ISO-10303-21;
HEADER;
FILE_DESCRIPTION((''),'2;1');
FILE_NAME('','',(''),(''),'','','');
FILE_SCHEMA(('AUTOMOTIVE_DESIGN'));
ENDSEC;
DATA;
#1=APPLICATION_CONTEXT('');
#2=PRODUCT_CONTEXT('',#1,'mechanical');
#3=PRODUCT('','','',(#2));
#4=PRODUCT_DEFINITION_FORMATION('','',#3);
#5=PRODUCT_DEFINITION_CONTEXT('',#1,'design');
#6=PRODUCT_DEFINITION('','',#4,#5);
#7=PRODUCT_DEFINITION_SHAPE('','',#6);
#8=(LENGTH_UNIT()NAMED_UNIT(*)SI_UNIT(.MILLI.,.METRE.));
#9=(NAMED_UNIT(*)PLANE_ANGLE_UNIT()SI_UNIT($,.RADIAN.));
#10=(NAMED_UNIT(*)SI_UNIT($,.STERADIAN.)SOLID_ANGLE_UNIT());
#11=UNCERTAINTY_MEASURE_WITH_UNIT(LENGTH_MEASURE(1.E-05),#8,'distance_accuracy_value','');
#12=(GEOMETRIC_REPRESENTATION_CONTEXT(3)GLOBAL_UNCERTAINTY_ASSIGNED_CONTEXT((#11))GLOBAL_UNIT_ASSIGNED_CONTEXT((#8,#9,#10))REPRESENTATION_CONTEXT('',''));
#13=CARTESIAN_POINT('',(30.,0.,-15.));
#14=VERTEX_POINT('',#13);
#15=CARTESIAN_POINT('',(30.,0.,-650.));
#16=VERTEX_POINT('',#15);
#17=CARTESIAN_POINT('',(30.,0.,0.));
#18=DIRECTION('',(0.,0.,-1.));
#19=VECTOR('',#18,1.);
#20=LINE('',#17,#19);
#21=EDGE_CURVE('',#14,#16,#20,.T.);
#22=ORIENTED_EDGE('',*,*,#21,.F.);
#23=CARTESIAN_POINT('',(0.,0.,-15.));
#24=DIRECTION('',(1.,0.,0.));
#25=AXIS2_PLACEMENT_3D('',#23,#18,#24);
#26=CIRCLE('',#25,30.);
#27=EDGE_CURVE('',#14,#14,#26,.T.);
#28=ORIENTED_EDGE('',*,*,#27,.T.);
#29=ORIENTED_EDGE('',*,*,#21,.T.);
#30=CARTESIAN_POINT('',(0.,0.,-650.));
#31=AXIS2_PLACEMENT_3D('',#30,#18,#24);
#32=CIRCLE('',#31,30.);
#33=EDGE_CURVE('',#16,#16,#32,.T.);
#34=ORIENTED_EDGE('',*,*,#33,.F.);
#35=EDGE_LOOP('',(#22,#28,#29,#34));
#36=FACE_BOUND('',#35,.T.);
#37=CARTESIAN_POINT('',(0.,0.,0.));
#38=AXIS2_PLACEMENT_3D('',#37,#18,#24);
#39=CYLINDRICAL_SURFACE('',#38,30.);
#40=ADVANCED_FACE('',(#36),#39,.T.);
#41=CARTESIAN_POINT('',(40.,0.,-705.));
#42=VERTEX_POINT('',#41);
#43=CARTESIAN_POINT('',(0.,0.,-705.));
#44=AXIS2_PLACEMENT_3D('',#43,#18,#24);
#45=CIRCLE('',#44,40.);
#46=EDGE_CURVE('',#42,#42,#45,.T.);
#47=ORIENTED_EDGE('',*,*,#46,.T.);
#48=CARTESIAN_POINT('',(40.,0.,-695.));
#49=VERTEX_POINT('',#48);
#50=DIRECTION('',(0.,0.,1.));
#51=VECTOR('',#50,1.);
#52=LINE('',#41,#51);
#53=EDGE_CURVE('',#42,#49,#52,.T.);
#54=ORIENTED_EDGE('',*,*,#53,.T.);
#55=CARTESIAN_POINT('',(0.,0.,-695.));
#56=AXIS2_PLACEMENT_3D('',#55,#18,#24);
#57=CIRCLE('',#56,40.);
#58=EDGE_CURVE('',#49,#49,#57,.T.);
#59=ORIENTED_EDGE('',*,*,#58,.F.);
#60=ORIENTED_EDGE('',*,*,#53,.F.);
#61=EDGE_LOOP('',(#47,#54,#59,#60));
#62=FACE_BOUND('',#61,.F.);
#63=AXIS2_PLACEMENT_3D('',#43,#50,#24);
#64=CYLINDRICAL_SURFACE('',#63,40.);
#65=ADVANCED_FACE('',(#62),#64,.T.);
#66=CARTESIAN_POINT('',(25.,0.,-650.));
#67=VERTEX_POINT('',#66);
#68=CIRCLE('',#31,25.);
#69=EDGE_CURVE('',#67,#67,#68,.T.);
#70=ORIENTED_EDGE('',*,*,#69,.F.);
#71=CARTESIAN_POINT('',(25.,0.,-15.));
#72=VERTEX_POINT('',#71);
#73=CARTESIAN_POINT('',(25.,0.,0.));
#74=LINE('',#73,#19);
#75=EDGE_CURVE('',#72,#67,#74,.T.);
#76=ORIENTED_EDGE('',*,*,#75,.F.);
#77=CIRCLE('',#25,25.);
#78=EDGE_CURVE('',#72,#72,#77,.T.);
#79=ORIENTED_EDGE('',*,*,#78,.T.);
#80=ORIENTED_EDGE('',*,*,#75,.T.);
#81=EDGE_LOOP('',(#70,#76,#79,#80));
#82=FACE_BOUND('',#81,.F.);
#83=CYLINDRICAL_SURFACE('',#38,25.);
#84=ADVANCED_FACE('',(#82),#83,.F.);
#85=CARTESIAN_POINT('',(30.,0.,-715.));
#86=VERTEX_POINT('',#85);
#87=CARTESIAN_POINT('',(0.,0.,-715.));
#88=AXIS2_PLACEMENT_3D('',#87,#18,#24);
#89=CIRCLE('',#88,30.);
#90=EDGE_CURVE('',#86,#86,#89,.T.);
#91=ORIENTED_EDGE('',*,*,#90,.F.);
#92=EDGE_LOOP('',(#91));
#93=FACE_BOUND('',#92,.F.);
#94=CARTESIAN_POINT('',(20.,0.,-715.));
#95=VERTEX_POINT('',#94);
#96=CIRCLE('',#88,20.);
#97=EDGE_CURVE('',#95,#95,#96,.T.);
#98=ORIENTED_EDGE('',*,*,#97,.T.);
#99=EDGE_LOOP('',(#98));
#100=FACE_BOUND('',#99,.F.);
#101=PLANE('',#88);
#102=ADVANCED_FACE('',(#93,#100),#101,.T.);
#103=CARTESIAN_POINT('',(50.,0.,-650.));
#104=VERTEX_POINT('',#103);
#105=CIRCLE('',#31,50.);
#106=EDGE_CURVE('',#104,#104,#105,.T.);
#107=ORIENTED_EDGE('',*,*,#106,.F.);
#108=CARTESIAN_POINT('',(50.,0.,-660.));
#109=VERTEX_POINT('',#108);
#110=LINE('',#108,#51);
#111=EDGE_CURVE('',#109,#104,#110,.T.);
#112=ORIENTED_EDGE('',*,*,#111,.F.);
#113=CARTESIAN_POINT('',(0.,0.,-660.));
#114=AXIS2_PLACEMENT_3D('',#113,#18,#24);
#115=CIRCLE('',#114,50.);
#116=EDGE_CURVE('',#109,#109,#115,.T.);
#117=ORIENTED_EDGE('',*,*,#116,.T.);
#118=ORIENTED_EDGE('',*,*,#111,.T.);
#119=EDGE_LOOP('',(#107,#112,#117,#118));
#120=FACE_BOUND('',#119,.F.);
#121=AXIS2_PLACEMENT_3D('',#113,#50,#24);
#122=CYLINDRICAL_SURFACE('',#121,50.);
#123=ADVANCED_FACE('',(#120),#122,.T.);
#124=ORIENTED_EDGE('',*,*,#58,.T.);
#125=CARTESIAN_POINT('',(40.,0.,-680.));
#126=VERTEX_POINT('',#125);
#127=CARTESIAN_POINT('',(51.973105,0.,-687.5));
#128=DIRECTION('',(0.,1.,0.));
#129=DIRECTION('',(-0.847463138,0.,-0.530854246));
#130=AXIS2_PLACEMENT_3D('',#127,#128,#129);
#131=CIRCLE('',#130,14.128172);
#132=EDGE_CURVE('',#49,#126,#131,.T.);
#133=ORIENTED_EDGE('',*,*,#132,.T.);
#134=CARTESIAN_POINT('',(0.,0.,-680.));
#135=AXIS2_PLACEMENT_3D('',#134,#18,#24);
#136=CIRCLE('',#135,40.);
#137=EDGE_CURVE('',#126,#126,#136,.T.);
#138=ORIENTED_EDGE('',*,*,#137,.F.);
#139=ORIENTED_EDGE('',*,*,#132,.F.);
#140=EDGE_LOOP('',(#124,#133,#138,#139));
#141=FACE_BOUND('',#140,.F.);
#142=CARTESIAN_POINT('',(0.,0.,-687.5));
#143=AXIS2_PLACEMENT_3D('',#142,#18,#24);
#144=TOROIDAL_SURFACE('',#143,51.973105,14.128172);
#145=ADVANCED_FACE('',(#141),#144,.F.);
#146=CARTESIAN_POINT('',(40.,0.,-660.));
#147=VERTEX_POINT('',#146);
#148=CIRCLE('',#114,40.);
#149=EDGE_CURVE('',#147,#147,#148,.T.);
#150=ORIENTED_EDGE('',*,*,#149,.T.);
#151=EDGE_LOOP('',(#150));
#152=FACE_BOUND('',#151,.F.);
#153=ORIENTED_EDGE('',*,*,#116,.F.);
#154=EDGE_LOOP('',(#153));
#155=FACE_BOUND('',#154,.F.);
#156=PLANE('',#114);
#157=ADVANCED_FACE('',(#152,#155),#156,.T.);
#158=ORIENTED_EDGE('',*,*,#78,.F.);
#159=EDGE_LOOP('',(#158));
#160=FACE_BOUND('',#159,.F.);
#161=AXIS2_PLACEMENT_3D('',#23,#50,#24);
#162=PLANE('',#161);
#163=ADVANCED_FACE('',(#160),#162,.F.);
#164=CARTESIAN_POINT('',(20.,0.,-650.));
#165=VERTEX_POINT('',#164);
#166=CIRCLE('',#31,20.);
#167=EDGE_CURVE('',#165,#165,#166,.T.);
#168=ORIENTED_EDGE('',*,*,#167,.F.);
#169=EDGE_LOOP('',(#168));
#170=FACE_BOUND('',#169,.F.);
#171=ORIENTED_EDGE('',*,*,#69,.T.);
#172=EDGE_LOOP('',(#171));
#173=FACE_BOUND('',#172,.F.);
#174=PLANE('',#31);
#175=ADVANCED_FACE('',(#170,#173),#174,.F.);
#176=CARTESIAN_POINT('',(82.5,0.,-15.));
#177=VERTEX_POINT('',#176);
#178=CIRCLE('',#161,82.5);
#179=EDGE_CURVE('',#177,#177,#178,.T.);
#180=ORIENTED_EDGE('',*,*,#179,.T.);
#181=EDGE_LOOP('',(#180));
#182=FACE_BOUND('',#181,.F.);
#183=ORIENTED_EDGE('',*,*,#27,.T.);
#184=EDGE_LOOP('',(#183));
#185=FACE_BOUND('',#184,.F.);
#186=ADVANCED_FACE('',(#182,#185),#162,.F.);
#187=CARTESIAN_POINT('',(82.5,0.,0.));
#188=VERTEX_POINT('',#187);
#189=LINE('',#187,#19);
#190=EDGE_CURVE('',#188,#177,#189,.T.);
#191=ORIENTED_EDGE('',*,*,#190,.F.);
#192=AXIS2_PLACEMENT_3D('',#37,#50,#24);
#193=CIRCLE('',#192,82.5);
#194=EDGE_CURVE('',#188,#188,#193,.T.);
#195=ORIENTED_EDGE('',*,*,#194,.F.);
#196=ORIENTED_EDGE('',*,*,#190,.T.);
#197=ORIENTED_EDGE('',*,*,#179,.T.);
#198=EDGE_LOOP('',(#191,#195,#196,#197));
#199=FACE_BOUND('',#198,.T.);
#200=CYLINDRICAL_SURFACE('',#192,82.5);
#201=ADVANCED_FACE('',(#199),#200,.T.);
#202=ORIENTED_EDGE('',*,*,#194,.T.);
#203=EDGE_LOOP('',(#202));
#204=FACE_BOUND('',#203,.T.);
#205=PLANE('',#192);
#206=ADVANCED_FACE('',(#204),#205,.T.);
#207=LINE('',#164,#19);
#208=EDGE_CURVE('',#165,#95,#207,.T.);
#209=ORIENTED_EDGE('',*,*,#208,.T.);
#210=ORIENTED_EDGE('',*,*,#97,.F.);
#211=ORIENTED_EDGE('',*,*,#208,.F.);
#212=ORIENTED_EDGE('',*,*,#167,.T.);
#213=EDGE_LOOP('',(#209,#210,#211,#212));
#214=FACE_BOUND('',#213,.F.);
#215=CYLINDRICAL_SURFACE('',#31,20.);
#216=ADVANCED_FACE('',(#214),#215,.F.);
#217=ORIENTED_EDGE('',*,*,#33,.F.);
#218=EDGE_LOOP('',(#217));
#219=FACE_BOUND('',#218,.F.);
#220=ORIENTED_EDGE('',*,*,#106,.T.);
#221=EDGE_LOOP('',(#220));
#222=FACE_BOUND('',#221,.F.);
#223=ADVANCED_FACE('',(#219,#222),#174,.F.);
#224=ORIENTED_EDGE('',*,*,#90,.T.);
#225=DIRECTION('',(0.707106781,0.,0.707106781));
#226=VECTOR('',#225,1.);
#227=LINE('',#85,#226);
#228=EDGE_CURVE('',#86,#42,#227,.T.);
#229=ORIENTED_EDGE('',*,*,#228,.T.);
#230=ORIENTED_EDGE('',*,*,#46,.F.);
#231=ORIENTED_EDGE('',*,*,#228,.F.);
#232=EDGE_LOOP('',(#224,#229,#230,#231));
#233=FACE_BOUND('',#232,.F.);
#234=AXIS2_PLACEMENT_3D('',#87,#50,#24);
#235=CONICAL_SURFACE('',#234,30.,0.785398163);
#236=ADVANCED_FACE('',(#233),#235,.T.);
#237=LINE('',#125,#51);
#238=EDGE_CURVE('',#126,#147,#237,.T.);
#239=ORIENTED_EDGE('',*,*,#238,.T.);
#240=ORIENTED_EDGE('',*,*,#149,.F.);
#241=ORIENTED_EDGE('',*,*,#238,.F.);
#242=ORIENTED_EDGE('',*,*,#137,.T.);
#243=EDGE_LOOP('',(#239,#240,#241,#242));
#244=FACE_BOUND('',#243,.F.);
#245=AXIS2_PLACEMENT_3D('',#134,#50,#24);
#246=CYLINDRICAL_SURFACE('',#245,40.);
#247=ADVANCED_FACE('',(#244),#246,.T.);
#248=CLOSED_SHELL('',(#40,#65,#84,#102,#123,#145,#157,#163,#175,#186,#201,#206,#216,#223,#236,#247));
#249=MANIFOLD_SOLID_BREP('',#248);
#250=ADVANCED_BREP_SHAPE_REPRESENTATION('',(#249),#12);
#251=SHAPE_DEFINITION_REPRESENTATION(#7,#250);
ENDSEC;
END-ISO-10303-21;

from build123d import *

# Parameters (mm, degrees)
F1_R     = 30
F1_R_2   = 25
F3_R     = 82.5
F4_DEPTH = 15


with BuildPart() as f2:
    # F2: sweep along a path in F0
    with BuildLine(Plane.YZ) as f2_path:
        Line((0, 0), (0, -50))
        Line((0, -50), (0, -650))
    # F1 (on Top) → F2 (sweep)
    with BuildSketch(Plane.XY):
        Circle(F1_R)
        Circle(F1_R_2, mode=Mode.SUBTRACT)
    sweep(path=f2_path.line)

    # F3 (on Top) → F4 (join)
    with BuildSketch(Plane.XY):
        Circle(F3_R)
    extrude(amount=-F4_DEPTH)

    # F5 (on Front) → F6 (revolve)
    with BuildSketch(Plane.XZ):
        with BuildLine():
            Line((50, -650), (35, -650))
            Line((35, -650), (30, -650))
            Line((30, -650), (20, -650))
            Line((20, -650), (20, -715))
            Line((20, -715), (30, -715))
            Line((30, -715), (40, -705))
            Line((40, -705), (40, -695))
            ThreePointArc((40, -695), (37.844933, -687.5), (40, -680))
            Line((40, -680), (40, -660))
            Line((40, -660), (50, -660))
            Line((50, -660), (50, -650))
        make_face()
    revolve(axis=Axis((0, 0, 0), (0, 0, -1)))


solid = f2.part
